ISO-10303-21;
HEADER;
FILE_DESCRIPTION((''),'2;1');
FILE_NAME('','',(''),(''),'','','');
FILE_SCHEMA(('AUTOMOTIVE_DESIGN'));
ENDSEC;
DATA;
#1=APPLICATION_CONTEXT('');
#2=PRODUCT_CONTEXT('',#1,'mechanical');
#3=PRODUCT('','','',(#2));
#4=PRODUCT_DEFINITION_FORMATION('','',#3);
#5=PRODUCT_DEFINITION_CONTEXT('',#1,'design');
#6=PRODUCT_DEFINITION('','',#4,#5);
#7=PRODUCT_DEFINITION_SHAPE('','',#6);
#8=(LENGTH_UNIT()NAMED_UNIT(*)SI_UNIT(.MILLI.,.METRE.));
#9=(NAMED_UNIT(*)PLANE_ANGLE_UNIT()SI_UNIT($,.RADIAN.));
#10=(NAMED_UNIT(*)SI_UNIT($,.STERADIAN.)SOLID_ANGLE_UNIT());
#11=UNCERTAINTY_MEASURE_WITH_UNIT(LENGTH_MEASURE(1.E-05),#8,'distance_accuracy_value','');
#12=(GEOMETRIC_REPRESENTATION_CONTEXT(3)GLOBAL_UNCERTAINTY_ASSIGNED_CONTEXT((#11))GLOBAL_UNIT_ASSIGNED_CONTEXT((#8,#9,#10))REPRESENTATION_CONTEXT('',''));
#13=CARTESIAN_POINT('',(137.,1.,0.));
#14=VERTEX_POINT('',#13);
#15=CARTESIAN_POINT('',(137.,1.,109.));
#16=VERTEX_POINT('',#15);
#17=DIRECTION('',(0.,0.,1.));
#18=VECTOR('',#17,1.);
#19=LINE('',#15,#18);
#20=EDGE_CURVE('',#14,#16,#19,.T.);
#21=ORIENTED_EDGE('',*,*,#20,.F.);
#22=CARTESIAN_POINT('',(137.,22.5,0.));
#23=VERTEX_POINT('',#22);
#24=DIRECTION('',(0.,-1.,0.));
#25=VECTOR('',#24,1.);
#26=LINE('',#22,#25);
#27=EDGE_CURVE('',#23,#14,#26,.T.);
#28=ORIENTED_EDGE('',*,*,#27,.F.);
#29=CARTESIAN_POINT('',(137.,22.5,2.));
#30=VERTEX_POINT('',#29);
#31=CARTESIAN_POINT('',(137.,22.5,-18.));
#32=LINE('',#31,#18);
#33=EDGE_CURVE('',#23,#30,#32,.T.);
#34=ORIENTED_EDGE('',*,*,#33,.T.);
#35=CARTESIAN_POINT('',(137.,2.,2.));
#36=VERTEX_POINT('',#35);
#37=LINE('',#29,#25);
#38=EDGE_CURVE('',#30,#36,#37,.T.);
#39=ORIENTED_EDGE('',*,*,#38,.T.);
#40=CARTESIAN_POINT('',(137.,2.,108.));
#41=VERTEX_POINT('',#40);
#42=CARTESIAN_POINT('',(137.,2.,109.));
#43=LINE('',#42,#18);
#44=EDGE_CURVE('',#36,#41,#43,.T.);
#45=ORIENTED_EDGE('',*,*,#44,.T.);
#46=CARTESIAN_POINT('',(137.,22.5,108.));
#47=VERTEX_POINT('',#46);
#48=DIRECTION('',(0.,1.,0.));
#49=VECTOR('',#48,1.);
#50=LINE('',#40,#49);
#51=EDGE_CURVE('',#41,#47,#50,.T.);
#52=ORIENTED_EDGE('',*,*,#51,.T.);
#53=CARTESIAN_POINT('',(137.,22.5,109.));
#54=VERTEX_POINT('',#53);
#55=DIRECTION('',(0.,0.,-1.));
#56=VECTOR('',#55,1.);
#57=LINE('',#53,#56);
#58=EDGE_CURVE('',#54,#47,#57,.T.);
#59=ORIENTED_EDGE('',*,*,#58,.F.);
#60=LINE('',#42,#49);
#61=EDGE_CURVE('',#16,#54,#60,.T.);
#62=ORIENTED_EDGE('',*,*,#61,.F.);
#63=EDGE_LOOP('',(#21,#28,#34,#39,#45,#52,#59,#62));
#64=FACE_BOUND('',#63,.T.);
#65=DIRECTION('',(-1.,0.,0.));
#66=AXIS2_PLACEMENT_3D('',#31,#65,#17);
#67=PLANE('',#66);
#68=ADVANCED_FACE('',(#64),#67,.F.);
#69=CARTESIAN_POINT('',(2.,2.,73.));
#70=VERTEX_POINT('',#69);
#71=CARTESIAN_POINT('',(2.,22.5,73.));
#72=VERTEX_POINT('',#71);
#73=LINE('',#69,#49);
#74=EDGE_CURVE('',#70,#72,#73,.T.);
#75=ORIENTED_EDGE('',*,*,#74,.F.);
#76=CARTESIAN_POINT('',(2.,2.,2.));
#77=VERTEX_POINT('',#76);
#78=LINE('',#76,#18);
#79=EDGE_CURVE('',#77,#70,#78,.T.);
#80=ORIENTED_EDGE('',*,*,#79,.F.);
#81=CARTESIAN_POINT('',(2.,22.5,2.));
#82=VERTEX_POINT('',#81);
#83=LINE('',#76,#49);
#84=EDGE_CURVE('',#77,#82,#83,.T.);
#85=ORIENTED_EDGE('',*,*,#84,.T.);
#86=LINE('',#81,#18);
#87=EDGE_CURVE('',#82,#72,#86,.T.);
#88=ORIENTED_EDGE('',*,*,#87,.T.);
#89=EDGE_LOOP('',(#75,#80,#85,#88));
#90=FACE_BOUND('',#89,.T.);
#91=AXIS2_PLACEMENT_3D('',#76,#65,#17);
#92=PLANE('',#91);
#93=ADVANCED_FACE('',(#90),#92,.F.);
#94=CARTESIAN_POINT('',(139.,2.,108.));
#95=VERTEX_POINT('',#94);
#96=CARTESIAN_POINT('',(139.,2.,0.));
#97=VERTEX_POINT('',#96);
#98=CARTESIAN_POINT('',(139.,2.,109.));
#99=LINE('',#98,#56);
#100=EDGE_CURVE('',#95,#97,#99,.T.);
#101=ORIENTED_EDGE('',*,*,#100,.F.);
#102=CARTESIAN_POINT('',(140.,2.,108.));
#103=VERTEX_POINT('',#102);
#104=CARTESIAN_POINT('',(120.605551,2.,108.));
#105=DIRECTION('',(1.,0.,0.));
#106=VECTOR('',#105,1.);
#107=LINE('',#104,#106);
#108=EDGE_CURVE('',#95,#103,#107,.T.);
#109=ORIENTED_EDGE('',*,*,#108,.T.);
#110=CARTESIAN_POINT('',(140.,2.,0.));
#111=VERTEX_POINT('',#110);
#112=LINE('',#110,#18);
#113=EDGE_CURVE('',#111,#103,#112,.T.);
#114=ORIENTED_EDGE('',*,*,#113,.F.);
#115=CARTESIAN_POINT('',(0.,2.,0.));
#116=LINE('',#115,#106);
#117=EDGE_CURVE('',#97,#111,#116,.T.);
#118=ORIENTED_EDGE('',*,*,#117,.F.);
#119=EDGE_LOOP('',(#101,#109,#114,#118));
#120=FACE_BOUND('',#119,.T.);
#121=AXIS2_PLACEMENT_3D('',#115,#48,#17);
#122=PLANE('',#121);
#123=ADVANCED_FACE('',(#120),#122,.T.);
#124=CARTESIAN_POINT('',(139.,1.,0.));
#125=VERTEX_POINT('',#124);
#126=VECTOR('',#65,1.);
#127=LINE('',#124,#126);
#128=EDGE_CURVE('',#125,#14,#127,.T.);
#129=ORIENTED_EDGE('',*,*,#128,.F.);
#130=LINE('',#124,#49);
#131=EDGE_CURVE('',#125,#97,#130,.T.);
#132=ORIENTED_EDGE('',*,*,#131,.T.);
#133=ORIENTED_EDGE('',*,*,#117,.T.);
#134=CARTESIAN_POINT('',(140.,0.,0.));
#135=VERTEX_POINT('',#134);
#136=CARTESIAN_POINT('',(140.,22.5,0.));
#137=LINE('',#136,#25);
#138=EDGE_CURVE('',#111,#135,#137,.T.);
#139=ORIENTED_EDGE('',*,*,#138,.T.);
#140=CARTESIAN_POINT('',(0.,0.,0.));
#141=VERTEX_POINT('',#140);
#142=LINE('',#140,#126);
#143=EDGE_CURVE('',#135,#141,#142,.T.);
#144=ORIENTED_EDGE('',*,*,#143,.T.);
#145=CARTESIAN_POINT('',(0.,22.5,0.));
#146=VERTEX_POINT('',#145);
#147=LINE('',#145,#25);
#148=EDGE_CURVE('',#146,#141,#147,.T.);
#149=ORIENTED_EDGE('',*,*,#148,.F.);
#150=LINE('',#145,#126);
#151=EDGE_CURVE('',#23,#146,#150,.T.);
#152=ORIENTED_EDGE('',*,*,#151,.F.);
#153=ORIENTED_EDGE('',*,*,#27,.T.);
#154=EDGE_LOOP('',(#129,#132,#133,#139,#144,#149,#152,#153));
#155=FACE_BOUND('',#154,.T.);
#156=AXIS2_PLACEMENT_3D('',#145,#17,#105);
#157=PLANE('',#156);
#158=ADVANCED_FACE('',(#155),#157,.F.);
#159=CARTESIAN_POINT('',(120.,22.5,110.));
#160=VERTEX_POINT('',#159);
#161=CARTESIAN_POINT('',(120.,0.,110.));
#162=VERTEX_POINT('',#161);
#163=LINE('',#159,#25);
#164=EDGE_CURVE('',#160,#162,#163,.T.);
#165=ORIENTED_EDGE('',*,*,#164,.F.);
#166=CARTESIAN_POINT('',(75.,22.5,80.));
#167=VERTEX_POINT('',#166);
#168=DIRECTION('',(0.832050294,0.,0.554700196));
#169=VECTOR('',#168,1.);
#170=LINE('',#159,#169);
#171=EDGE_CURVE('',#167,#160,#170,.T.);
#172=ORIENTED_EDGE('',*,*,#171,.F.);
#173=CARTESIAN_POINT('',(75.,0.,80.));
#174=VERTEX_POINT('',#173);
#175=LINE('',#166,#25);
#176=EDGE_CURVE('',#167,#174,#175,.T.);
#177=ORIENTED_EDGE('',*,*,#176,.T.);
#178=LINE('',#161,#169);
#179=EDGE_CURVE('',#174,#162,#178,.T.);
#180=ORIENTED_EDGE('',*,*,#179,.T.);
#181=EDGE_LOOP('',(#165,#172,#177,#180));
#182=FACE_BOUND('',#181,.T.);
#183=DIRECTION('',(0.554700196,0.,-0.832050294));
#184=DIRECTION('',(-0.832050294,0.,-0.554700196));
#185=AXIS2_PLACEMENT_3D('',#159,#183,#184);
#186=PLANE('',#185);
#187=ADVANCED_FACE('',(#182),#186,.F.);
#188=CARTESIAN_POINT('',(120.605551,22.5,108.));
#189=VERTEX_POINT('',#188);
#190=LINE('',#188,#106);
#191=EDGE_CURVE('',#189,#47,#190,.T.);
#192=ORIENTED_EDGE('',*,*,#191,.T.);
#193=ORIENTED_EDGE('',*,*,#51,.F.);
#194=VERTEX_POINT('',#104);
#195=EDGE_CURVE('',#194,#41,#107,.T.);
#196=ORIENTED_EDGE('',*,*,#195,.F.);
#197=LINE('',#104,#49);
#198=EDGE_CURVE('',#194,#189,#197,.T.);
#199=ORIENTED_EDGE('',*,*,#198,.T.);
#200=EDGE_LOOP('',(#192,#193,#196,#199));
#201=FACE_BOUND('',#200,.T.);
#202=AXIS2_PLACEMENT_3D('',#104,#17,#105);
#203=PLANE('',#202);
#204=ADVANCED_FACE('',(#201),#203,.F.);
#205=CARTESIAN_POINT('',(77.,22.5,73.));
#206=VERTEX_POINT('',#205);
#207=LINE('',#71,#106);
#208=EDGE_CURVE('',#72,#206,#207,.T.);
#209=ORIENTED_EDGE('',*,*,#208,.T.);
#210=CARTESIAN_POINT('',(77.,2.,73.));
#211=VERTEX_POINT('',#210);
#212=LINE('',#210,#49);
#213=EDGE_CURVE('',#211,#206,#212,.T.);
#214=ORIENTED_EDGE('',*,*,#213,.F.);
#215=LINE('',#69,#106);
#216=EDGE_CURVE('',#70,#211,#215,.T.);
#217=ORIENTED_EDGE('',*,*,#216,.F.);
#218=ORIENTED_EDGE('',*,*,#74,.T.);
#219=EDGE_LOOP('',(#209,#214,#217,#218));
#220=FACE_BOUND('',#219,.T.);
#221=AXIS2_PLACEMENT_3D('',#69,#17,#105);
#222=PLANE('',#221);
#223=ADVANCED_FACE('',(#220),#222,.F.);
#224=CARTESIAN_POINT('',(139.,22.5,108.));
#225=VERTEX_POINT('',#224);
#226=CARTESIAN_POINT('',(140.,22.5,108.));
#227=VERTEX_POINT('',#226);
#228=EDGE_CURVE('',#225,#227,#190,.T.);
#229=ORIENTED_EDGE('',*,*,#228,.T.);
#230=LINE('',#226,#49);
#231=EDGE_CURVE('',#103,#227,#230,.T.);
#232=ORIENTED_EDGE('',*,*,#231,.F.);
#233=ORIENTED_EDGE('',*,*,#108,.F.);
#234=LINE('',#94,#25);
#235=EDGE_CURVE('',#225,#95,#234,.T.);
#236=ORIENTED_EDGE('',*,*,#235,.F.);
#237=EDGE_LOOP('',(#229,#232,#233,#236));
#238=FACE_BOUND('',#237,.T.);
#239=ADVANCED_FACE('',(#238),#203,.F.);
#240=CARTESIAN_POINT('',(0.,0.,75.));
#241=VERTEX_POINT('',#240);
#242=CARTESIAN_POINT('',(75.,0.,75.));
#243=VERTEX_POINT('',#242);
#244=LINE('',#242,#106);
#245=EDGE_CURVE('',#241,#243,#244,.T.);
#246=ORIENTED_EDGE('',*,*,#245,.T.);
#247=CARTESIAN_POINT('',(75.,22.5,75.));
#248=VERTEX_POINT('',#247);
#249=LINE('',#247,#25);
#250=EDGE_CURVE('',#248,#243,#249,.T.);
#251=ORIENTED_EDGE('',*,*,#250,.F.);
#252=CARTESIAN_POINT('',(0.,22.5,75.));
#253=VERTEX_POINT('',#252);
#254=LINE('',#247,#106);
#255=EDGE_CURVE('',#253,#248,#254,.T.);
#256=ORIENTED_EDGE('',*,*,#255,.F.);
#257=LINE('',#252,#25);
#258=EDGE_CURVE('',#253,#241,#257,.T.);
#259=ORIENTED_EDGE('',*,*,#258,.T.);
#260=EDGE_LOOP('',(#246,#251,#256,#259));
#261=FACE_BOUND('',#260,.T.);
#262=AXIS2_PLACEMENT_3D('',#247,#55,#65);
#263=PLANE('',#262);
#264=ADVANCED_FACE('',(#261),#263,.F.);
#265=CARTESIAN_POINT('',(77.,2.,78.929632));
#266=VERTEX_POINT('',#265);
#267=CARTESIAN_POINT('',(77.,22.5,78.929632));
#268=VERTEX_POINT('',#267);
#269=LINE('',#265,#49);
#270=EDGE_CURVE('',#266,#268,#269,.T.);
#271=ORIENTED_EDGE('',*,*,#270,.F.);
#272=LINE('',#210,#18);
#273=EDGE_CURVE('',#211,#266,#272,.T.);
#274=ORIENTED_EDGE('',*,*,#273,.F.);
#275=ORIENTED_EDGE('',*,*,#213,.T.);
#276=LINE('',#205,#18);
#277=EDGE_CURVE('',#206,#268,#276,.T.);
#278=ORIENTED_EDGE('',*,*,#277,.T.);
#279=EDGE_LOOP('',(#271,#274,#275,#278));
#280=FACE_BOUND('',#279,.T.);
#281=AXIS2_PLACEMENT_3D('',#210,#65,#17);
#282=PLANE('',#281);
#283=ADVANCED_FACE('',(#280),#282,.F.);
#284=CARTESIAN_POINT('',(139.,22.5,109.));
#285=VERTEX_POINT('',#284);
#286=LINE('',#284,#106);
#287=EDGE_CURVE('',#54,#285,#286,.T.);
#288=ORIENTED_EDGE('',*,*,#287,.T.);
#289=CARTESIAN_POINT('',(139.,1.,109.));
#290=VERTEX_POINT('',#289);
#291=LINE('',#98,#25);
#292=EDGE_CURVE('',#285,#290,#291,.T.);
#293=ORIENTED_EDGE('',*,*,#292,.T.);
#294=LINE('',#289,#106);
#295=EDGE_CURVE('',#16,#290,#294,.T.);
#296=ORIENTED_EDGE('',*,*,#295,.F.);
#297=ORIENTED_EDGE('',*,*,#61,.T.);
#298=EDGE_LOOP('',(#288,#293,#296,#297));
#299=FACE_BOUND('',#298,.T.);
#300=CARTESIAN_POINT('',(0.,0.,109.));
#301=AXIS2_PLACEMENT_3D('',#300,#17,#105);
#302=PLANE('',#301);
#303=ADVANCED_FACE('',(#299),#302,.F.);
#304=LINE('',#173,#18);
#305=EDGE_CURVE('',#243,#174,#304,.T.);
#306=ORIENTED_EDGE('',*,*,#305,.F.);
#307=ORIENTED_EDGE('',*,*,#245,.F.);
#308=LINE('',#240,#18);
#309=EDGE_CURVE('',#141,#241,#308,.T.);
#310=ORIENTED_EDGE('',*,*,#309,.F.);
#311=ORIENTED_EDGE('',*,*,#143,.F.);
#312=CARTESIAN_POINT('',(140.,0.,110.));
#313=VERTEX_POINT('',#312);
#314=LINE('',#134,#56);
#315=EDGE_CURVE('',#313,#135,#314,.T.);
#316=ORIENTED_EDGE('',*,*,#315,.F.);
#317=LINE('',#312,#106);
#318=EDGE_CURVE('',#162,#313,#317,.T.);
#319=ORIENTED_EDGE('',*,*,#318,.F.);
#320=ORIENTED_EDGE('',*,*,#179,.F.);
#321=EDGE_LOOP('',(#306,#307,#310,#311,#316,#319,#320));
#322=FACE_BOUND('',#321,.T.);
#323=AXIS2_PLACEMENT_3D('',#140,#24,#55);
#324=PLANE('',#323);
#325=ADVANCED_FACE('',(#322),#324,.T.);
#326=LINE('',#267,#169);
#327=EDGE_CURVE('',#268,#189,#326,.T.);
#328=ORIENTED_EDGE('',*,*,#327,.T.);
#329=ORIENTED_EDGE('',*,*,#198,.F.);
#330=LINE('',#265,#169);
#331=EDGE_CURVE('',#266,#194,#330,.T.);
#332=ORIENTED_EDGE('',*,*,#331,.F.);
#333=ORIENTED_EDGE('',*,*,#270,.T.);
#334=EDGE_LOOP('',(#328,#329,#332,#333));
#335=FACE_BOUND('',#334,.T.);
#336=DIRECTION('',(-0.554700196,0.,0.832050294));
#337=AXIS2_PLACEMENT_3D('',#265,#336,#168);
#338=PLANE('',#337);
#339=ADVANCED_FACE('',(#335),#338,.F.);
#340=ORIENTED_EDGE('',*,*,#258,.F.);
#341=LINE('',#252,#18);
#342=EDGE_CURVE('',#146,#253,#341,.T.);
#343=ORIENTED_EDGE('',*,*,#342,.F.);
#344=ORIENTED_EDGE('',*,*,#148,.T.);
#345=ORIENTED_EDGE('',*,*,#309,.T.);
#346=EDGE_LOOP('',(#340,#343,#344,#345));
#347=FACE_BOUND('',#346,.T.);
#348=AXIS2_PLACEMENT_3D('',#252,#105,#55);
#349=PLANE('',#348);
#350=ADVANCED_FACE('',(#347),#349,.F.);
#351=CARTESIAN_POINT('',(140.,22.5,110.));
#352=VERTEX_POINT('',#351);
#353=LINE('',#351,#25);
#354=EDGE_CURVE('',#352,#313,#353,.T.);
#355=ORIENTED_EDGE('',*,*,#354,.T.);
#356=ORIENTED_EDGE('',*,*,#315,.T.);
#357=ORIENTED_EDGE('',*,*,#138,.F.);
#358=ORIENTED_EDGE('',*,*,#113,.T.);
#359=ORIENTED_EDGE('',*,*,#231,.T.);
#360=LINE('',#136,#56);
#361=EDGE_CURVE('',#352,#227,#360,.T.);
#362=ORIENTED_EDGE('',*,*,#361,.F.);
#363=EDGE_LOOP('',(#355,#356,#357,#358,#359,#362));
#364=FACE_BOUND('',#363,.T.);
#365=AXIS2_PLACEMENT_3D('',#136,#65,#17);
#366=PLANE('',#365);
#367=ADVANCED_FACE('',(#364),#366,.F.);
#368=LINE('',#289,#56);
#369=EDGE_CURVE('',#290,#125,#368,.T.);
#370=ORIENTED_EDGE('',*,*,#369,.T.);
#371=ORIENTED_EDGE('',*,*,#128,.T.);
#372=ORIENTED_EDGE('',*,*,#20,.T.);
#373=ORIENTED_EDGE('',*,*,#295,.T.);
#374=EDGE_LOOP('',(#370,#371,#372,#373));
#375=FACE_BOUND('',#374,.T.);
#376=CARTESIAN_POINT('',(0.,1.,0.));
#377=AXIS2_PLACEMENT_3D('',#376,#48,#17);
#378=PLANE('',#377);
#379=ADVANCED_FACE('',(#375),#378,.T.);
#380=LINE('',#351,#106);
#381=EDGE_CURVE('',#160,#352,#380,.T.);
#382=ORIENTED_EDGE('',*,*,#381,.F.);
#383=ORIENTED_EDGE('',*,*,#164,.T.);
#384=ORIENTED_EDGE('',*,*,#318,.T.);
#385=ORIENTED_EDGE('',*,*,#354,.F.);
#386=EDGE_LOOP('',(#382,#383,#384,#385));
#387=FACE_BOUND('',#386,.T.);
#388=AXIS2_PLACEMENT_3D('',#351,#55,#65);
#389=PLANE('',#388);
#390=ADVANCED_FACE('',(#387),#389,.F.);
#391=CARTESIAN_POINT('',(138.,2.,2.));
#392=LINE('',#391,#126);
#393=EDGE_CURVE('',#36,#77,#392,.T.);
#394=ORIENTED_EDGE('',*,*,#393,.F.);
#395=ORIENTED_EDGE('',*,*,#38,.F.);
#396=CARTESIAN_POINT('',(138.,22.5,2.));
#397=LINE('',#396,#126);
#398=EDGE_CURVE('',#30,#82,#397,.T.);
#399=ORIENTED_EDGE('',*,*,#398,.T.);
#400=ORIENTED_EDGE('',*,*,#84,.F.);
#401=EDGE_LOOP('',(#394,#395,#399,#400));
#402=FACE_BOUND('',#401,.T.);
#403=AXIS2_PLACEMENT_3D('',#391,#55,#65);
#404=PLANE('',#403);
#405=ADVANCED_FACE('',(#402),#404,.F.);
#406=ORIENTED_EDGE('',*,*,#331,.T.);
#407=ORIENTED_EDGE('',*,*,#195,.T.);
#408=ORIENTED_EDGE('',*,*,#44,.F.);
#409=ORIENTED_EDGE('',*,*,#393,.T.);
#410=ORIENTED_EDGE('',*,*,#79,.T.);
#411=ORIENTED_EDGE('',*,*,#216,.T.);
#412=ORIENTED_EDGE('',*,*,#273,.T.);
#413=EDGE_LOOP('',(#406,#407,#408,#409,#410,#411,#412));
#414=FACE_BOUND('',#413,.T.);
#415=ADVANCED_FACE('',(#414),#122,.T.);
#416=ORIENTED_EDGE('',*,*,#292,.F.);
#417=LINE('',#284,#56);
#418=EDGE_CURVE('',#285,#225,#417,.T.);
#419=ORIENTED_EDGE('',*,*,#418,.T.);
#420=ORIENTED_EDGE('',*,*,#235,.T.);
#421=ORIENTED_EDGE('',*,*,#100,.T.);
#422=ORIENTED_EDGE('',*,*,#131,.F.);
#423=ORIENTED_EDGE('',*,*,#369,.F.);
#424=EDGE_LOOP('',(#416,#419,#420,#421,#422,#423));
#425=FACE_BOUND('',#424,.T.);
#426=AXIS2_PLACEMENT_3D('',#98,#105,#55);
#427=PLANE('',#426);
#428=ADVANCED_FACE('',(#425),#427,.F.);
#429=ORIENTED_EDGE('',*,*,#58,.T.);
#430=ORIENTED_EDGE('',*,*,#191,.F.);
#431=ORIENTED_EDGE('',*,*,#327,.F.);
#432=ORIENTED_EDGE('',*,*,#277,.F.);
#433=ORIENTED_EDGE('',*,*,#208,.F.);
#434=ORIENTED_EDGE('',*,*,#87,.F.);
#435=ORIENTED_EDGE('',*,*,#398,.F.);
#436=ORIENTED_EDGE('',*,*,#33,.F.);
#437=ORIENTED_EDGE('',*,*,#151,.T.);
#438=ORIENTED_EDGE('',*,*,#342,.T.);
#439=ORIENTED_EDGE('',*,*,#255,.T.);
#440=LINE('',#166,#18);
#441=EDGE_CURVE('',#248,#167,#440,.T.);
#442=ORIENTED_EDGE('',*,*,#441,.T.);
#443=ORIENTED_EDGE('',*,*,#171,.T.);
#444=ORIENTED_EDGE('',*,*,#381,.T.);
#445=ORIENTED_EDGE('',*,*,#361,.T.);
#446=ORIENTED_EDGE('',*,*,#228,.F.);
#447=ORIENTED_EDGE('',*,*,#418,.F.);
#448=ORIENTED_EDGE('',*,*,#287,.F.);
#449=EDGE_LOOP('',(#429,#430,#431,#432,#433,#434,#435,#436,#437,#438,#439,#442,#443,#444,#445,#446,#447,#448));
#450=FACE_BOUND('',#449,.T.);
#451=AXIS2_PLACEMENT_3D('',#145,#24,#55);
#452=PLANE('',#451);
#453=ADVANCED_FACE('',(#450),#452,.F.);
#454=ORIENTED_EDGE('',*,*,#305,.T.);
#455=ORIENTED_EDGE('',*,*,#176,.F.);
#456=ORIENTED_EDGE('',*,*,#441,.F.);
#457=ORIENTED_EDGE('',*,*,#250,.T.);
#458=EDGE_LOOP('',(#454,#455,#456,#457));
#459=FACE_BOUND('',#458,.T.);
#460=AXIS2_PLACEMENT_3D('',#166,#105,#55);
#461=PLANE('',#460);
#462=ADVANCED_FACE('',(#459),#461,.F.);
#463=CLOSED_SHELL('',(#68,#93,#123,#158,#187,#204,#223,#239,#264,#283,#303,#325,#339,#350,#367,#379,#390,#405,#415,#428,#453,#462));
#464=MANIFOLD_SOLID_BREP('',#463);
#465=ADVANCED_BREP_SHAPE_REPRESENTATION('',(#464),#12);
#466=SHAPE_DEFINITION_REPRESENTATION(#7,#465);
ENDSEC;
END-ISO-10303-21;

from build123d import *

# Parameters (mm, degrees)
BOSS_EXTRUDE1_DEPTH = 22.5
CUT_EXTRUDE1_DEPTH  = 20.5
SKETCH3_W           = 106
SKETCH3_H           = 20.5
CUT_EXTRUDE2_DEPTH  = 20
SKETCH4_W           = 3
SKETCH4_H           = 20.5
CUT_EXTRUDE3_DEPTH  = 20
SKETCH5_W           = 2
SKETCH5_H           = 20.5
CUT_EXTRUDE4_DEPTH  = 1
SKETCH7_W           = 2
SKETCH7_H           = 109
CUT_EXTRUDE6_DEPTH  = 1


with BuildPart() as part:
    # Base → Boss-Extrude1 (new body)
    with BuildSketch(Plane(origin=(0, 0, 0), x_dir=(1, 0, 0), z_dir=(0, 1, 0))):
        Polygon((0, 0), (140, 0), (140, -110), (120, -110), (75, -80), (75, -75), (0, -75), align=None)
    extrude(amount=BOSS_EXTRUDE1_DEPTH)

    # Sketch2 → Cut-Extrude1 (cut)
    with BuildSketch(Plane(origin=(0, 22.5, 0), x_dir=(1, 0, 0), z_dir=(0, 1, 0))):
        Polygon((2, -2), (2, -73), (77, -73), (77, -78.929632483), (120.605551275, -108), (138, -108), (138, -2), align=None)
    extrude(amount=-CUT_EXTRUDE1_DEPTH, mode=Mode.SUBTRACT)

    # Sketch3 → Cut-Extrude2 (cut)
    with BuildSketch(Plane.ZY.offset(-138)):
        with Locations((55, 12.25)):
            Rectangle(SKETCH3_W, SKETCH3_H)
    extrude(amount=-CUT_EXTRUDE2_DEPTH, mode=Mode.SUBTRACT)

    # Sketch4 → Cut-Extrude3 (cut)
    with BuildSketch(Plane.XY.offset(2)):
        with Locations((138.5, 12.25)):
            Rectangle(SKETCH4_W, SKETCH4_H)
    extrude(amount=-CUT_EXTRUDE3_DEPTH, mode=Mode.SUBTRACT)

    # Sketch5 → Cut-Extrude4 (cut)
    with BuildSketch(Plane(origin=(0, 0, 108), x_dir=(-1, 0, 0), z_dir=(0, 0, -1))):
        with Locations((-138, 12.25)):
            Rectangle(SKETCH5_W, SKETCH5_H)
    extrude(amount=-CUT_EXTRUDE4_DEPTH, mode=Mode.SUBTRACT)

    # Sketch7 → Cut-Extrude6 (cut)
    with BuildSketch(Plane(origin=(0, 2, 0), x_dir=(1, 0, 0), z_dir=(0, 1, 0))):
        with Locations((138, -54.5)):
            Rectangle(SKETCH7_W, SKETCH7_H)
    extrude(amount=-CUT_EXTRUDE6_DEPTH, mode=Mode.SUBTRACT)


solid = part.part
